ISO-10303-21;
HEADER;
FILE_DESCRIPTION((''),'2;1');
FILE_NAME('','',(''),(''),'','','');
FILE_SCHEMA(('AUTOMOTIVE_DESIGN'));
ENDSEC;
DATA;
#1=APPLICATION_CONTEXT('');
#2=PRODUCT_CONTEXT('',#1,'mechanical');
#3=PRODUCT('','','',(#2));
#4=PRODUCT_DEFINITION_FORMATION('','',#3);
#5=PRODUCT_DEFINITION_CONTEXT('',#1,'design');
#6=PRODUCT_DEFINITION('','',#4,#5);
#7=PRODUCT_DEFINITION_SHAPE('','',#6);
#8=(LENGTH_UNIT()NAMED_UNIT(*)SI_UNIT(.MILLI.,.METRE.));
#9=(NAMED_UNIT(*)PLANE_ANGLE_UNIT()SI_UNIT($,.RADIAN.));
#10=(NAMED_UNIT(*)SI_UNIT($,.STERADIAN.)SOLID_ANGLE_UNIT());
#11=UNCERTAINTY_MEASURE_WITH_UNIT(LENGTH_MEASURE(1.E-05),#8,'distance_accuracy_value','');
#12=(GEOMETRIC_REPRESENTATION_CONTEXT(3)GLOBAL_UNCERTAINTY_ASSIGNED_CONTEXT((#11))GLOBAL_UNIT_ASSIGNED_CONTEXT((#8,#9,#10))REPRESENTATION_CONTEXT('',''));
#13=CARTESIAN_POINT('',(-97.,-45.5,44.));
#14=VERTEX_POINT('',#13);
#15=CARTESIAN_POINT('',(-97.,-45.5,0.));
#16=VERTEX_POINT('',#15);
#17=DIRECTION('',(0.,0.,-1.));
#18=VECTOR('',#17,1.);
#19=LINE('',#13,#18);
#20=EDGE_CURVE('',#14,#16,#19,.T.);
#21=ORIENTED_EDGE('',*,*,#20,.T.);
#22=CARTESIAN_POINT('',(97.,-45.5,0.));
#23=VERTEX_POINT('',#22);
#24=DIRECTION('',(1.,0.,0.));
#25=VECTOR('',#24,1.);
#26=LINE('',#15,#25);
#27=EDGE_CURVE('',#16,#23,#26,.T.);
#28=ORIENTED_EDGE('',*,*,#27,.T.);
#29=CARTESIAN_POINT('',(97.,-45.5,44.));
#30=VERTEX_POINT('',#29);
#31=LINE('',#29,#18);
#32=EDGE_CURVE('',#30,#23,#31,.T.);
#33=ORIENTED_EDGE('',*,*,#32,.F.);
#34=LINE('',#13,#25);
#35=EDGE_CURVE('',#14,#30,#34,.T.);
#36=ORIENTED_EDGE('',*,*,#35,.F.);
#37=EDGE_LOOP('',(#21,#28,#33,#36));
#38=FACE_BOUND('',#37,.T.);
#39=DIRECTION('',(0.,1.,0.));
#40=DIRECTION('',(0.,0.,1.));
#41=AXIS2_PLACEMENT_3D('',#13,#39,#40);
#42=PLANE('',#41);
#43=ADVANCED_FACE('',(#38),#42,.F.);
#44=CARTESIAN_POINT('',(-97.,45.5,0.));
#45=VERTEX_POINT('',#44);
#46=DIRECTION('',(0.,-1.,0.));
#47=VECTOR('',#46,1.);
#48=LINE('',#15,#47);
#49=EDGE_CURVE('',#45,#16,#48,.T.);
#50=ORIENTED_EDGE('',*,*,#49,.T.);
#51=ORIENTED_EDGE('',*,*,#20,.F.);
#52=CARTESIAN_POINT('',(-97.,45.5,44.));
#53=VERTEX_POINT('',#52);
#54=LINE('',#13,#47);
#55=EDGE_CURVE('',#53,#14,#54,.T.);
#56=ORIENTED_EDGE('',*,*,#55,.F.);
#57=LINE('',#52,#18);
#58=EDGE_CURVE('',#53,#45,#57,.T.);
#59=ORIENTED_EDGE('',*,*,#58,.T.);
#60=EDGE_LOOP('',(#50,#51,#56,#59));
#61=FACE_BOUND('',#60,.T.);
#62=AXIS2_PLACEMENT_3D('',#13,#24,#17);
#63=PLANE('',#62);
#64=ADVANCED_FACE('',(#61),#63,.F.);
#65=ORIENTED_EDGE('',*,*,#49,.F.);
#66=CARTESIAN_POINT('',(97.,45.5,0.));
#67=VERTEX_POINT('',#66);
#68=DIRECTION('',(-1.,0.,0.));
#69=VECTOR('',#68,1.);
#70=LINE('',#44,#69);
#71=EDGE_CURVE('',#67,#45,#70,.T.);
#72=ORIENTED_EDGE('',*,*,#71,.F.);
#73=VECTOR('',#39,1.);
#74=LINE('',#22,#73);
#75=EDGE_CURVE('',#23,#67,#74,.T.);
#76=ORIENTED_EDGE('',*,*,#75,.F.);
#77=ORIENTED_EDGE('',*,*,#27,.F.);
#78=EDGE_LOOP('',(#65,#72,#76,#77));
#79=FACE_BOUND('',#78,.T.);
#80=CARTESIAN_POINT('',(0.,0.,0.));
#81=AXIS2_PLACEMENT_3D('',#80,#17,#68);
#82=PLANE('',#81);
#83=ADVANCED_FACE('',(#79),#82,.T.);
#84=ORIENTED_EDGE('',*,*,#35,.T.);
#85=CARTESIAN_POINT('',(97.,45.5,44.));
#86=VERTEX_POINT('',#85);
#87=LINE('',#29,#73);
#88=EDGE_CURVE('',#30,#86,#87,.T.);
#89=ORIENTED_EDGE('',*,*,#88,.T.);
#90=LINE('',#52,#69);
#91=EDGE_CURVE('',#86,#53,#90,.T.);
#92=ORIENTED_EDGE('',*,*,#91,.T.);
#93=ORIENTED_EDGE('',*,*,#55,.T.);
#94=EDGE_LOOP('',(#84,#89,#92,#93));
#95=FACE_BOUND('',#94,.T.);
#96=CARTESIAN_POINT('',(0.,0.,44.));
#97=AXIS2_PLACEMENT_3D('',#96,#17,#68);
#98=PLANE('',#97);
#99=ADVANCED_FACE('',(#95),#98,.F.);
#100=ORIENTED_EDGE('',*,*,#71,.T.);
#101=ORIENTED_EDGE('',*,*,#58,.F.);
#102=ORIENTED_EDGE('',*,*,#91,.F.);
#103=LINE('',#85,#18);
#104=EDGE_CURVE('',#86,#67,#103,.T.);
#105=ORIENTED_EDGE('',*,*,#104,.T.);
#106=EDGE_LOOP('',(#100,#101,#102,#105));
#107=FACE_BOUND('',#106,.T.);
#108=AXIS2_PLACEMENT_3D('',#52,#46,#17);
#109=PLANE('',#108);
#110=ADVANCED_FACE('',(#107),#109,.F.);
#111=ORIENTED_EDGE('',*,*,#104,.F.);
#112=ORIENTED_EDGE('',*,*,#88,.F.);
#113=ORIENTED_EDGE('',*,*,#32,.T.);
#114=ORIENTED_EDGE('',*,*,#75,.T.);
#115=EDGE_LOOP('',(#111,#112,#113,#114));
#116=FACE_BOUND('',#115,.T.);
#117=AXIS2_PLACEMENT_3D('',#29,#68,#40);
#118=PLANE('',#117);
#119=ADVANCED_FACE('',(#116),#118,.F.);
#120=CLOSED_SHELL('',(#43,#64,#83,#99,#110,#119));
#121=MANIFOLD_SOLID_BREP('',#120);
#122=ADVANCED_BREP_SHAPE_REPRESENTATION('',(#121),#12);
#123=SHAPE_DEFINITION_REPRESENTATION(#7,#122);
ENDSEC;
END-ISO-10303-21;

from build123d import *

# Parameters (mm, degrees)
SKETCH1_W           = 194
SKETCH1_H           = 91
BOSS_EXTRUDE1_DEPTH = 44


with BuildPart() as part:
    # Sketch1 → Boss-Extrude1 (new body)
    with BuildSketch(Plane.XY):
        Rectangle(SKETCH1_W, SKETCH1_H)
    extrude(amount=BOSS_EXTRUDE1_DEPTH)


solid = part.part
